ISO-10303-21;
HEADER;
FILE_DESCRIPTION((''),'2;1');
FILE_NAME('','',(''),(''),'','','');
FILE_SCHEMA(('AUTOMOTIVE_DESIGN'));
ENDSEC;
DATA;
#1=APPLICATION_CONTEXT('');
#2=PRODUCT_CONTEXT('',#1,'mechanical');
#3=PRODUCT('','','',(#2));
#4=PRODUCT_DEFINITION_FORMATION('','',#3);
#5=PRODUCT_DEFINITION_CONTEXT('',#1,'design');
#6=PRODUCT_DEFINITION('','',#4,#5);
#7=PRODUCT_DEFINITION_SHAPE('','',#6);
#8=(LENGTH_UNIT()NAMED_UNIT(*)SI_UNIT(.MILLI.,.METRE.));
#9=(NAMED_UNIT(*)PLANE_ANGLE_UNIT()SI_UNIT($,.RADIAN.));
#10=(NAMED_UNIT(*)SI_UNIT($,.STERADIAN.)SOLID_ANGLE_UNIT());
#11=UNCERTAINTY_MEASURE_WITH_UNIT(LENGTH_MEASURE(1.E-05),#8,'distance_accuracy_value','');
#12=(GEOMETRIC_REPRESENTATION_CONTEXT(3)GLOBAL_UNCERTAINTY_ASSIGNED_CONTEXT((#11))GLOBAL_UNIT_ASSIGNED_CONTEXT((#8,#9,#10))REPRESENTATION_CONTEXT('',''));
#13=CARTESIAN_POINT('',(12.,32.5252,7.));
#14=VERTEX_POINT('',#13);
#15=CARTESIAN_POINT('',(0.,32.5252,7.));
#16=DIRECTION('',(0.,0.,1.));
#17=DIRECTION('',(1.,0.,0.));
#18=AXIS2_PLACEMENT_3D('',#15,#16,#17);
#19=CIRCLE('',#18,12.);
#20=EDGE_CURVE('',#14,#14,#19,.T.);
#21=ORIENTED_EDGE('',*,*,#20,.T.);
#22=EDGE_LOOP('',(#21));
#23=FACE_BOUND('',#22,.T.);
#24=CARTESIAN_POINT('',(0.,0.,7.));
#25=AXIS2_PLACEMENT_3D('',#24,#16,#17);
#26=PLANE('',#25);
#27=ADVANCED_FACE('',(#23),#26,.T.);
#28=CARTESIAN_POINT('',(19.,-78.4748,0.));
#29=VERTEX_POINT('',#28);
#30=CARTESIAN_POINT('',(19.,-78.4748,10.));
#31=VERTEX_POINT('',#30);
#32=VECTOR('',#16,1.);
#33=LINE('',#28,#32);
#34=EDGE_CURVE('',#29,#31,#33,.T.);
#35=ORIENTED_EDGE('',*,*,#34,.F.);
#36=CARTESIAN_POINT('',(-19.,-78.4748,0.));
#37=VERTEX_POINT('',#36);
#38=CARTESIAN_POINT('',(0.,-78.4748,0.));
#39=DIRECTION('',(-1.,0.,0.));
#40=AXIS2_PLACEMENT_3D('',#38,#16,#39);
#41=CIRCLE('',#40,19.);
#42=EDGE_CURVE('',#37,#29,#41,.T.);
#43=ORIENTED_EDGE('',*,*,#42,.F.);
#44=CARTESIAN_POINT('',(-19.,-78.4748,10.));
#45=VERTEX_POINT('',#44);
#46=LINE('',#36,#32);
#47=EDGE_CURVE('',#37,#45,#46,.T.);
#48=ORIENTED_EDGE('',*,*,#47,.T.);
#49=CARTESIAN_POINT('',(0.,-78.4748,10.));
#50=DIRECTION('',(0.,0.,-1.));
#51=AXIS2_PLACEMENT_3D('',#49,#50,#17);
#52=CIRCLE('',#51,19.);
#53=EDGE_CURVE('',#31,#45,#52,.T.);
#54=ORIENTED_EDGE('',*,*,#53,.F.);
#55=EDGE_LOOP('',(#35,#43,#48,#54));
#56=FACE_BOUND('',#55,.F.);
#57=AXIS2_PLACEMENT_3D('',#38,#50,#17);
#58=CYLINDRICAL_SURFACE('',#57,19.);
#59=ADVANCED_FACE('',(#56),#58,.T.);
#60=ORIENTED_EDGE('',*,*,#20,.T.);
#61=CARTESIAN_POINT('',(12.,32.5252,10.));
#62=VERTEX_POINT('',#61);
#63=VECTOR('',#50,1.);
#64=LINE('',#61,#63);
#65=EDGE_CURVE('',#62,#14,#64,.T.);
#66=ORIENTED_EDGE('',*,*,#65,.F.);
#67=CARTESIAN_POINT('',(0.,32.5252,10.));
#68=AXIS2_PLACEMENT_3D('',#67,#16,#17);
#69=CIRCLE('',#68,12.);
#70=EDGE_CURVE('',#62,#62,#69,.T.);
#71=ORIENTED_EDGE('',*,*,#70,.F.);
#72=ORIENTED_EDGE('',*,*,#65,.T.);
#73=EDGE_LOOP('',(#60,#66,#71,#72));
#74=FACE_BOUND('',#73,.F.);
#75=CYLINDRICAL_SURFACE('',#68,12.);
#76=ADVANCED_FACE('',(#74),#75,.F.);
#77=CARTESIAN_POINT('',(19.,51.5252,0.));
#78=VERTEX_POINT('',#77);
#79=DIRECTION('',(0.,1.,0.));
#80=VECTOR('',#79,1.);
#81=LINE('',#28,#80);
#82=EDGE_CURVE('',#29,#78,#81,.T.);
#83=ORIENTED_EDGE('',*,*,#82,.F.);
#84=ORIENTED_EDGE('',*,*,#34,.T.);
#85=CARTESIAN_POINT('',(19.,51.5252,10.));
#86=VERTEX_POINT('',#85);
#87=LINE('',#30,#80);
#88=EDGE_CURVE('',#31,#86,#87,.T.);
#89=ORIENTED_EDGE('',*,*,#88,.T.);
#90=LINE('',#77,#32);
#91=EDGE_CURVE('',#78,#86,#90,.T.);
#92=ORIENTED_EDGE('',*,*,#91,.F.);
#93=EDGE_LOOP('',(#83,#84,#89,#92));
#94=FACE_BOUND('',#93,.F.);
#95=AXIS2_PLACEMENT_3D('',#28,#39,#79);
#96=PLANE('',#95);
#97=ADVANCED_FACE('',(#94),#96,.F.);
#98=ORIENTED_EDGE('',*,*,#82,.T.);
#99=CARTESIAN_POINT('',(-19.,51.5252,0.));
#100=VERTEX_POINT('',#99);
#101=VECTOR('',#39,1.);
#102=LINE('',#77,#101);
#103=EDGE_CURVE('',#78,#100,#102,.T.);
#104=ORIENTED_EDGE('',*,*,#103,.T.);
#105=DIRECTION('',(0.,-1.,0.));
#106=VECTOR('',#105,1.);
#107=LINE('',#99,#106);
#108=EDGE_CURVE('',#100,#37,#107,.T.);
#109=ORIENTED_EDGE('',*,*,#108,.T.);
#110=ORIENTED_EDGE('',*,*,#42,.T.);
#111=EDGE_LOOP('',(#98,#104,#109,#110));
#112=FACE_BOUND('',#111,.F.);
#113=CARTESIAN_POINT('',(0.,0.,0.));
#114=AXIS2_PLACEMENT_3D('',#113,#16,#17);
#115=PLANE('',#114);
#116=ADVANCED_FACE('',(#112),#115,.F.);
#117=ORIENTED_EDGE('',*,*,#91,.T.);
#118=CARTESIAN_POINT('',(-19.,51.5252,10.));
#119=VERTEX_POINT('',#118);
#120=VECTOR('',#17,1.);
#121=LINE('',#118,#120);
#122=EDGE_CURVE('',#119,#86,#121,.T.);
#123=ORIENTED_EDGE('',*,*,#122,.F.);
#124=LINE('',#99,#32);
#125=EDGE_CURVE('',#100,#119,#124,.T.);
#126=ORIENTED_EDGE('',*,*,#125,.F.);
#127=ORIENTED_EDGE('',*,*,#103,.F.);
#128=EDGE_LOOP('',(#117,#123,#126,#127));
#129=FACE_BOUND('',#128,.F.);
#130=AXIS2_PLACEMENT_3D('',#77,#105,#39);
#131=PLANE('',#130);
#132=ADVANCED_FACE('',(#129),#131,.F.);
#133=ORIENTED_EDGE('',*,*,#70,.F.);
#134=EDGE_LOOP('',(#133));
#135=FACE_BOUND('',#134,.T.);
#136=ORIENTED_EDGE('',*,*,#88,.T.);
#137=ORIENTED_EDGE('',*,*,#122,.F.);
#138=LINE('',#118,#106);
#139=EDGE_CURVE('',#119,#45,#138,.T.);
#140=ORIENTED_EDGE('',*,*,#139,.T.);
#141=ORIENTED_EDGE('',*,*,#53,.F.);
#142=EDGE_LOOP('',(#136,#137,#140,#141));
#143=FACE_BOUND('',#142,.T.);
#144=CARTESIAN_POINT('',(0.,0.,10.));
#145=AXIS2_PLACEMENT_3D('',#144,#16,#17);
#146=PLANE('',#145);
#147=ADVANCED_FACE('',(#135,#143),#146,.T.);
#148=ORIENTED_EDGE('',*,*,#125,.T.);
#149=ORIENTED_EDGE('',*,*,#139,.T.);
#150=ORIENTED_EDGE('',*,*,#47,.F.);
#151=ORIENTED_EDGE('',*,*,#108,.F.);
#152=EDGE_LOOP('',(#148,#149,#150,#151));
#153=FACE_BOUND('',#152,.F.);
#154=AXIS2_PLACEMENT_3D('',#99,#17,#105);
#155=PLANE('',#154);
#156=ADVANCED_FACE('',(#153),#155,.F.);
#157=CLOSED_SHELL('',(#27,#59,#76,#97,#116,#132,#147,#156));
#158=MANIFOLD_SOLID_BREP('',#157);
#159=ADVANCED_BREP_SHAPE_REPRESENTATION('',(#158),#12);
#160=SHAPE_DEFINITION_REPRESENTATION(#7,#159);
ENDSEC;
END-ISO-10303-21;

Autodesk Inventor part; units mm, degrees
sketch "Skizze1" plane through (0, 0, 0) normal (0, 0, 1) x (1, 0, 0)
  line L0 (19, 51.5252) -> (-19, 51.5252)
  line L1 (-19, 51.5252) -> (-19, -78.4748)
  line L2 (-19, -78.4748) -> (19, -78.4748)
  line L3 (19, -78.4748) -> (19, 51.5252)
  line L4 (0, -127.2748) -> (0, 81.3252) projected
  circle A0 centre (0, -78.4748) radius 19
  point P0 (0, 0)
  dimension "d0" = 130
  dimension "d1" = 38
extrude "Extrusion1" add sketch "Skizze1" along normal blind 10
sketch "Skizze2" plane through (0, 0, 10) normal (0, 0, 1) x (1, 0, 0)
  circle A0 centre (0, 32.5252) radius 12
  line L0 (19, 51.5252) -> (-19, 51.5252) projected
  point P0 (0, 0)
  dimension "d4" = 24
  dimension "d5" = 19
extrude "Extrusion2" cut sketch "Skizze2" against normal blind 3
properties part number "Push"
